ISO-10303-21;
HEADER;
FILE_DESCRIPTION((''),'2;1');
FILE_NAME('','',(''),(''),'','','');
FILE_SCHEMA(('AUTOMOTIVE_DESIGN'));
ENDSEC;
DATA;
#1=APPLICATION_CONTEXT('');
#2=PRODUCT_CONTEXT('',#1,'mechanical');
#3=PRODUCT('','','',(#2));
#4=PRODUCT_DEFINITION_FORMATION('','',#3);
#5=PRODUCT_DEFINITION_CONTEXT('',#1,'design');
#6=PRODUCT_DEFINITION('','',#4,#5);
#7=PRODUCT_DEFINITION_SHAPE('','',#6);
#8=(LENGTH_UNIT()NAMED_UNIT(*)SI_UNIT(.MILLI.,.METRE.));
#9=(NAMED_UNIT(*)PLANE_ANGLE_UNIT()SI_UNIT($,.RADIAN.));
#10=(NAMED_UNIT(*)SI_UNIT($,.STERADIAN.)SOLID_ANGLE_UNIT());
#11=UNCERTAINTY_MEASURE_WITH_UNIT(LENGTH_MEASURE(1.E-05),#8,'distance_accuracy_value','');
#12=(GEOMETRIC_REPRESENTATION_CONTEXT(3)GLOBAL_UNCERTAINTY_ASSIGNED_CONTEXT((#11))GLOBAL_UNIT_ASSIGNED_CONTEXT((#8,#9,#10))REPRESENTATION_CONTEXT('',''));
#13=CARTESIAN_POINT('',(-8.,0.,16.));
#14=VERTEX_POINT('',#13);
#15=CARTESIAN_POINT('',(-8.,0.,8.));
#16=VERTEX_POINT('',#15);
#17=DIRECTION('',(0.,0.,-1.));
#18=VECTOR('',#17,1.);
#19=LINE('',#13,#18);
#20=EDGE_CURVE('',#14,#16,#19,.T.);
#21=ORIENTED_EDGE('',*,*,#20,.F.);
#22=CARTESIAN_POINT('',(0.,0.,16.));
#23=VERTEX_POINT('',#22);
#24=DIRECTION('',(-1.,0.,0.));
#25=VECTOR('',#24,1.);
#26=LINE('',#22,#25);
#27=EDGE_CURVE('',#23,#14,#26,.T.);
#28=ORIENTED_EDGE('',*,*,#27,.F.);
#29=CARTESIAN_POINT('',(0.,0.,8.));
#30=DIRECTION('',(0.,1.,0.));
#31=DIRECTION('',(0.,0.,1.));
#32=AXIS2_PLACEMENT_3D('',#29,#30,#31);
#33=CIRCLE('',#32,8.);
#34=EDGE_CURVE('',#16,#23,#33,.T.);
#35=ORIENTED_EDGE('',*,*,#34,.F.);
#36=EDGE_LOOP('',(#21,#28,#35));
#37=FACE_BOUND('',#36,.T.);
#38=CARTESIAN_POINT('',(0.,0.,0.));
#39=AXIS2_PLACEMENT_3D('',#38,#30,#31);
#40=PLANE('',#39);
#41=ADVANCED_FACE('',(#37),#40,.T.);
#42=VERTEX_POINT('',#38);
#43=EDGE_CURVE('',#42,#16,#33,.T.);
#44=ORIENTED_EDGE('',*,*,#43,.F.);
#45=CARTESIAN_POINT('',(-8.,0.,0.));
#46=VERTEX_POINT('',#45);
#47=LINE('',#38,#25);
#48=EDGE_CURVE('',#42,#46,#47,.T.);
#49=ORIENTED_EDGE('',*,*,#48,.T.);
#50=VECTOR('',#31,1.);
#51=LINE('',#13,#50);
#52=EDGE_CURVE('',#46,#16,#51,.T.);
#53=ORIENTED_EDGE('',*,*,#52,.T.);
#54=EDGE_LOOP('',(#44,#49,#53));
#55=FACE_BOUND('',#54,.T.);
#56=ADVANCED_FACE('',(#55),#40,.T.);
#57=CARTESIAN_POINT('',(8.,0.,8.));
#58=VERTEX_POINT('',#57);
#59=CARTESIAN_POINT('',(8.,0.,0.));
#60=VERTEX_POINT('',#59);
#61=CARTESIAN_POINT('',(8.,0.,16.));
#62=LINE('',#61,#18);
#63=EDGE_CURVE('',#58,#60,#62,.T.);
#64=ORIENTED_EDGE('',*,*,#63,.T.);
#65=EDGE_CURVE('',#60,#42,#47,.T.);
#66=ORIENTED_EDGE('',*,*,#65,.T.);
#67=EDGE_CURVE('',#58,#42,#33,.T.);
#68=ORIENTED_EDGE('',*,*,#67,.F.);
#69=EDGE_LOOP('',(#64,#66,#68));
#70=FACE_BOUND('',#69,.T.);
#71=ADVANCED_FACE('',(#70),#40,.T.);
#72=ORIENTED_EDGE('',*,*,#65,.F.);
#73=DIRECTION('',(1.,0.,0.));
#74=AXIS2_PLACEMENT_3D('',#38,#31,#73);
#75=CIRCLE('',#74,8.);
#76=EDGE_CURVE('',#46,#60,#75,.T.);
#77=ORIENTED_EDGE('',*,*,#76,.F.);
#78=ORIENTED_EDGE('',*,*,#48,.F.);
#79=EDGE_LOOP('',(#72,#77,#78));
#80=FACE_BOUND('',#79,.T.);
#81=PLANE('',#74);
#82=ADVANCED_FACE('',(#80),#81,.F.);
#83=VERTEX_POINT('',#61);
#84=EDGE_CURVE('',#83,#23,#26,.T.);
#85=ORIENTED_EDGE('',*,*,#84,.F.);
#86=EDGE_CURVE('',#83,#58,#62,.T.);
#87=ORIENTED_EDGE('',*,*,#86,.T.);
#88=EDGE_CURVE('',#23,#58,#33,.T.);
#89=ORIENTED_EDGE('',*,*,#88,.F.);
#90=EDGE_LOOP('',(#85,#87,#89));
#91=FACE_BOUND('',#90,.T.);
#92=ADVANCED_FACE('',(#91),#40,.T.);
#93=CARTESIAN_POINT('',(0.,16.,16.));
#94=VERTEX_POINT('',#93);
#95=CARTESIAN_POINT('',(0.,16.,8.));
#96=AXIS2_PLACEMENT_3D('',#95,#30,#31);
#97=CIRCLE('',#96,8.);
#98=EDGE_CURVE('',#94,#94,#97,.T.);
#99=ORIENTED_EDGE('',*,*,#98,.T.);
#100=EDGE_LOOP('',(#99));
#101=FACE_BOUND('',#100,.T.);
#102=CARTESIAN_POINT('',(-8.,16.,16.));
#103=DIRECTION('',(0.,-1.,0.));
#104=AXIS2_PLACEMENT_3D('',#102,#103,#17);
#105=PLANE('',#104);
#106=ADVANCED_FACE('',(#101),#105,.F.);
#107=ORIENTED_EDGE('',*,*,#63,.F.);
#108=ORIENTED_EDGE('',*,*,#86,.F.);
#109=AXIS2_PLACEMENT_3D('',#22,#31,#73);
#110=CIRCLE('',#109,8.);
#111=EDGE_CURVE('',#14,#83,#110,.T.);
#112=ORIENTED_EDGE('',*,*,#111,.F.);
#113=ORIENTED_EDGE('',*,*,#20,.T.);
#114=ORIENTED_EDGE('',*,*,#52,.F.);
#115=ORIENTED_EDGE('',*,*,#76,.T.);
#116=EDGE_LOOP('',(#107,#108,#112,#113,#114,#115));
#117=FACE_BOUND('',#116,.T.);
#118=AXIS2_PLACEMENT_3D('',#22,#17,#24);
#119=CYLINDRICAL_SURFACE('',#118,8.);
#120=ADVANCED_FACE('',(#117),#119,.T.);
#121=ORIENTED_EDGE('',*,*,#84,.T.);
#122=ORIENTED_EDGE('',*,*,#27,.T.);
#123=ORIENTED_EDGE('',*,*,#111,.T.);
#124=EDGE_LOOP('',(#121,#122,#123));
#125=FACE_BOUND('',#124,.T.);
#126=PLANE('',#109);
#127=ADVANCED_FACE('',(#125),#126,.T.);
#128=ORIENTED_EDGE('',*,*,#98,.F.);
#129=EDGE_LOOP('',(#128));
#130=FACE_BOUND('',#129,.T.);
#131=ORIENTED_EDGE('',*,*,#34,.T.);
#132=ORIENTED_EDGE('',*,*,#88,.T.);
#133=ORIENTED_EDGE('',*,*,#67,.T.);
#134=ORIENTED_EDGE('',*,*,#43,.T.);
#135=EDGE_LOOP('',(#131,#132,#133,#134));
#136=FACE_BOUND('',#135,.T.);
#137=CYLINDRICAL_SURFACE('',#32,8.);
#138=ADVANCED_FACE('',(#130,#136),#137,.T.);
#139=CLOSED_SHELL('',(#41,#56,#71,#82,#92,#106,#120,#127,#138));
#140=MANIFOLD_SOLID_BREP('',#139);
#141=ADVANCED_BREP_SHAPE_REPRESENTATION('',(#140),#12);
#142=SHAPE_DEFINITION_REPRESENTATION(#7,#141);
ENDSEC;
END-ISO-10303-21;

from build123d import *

# Parameters (mm, degrees)
EXTRUDE_1_DEPTH     = 16
SKETCH_2_W          = 18.798290213
SKETCH_2_H          = 18.208539932
SKETCH_2_R          = 8
CUT_EXTRUDE_1_DEPTH = 16


with BuildPart() as part:
    # 草图1 → 凸台-拉伸1 (new body)
    with BuildSketch(Plane.XY):
        with BuildLine():
            Line((-8, 0), (-8, 16))
            Line((-8, 16), (8, 16))
            Line((8, 16), (8, 0))
            ThreePointArc((8, 0), (0, -8), (-8, 0))
        make_face()
    extrude(amount=EXTRUDE_1_DEPTH)

    # 草图2 → 切除-拉伸1 (cut)
    with BuildSketch(Plane(origin=(0, 16, 0), x_dir=(1, 0, 0), z_dir=(0, 1, 0))):
        with Locations((-0.294875141, -7.797273341)):
            Rectangle(SKETCH_2_W, SKETCH_2_H)
        with Locations((0, -8)):
            Circle(SKETCH_2_R, mode=Mode.SUBTRACT)
    extrude(amount=-CUT_EXTRUDE_1_DEPTH, mode=Mode.SUBTRACT)


solid = part.part
